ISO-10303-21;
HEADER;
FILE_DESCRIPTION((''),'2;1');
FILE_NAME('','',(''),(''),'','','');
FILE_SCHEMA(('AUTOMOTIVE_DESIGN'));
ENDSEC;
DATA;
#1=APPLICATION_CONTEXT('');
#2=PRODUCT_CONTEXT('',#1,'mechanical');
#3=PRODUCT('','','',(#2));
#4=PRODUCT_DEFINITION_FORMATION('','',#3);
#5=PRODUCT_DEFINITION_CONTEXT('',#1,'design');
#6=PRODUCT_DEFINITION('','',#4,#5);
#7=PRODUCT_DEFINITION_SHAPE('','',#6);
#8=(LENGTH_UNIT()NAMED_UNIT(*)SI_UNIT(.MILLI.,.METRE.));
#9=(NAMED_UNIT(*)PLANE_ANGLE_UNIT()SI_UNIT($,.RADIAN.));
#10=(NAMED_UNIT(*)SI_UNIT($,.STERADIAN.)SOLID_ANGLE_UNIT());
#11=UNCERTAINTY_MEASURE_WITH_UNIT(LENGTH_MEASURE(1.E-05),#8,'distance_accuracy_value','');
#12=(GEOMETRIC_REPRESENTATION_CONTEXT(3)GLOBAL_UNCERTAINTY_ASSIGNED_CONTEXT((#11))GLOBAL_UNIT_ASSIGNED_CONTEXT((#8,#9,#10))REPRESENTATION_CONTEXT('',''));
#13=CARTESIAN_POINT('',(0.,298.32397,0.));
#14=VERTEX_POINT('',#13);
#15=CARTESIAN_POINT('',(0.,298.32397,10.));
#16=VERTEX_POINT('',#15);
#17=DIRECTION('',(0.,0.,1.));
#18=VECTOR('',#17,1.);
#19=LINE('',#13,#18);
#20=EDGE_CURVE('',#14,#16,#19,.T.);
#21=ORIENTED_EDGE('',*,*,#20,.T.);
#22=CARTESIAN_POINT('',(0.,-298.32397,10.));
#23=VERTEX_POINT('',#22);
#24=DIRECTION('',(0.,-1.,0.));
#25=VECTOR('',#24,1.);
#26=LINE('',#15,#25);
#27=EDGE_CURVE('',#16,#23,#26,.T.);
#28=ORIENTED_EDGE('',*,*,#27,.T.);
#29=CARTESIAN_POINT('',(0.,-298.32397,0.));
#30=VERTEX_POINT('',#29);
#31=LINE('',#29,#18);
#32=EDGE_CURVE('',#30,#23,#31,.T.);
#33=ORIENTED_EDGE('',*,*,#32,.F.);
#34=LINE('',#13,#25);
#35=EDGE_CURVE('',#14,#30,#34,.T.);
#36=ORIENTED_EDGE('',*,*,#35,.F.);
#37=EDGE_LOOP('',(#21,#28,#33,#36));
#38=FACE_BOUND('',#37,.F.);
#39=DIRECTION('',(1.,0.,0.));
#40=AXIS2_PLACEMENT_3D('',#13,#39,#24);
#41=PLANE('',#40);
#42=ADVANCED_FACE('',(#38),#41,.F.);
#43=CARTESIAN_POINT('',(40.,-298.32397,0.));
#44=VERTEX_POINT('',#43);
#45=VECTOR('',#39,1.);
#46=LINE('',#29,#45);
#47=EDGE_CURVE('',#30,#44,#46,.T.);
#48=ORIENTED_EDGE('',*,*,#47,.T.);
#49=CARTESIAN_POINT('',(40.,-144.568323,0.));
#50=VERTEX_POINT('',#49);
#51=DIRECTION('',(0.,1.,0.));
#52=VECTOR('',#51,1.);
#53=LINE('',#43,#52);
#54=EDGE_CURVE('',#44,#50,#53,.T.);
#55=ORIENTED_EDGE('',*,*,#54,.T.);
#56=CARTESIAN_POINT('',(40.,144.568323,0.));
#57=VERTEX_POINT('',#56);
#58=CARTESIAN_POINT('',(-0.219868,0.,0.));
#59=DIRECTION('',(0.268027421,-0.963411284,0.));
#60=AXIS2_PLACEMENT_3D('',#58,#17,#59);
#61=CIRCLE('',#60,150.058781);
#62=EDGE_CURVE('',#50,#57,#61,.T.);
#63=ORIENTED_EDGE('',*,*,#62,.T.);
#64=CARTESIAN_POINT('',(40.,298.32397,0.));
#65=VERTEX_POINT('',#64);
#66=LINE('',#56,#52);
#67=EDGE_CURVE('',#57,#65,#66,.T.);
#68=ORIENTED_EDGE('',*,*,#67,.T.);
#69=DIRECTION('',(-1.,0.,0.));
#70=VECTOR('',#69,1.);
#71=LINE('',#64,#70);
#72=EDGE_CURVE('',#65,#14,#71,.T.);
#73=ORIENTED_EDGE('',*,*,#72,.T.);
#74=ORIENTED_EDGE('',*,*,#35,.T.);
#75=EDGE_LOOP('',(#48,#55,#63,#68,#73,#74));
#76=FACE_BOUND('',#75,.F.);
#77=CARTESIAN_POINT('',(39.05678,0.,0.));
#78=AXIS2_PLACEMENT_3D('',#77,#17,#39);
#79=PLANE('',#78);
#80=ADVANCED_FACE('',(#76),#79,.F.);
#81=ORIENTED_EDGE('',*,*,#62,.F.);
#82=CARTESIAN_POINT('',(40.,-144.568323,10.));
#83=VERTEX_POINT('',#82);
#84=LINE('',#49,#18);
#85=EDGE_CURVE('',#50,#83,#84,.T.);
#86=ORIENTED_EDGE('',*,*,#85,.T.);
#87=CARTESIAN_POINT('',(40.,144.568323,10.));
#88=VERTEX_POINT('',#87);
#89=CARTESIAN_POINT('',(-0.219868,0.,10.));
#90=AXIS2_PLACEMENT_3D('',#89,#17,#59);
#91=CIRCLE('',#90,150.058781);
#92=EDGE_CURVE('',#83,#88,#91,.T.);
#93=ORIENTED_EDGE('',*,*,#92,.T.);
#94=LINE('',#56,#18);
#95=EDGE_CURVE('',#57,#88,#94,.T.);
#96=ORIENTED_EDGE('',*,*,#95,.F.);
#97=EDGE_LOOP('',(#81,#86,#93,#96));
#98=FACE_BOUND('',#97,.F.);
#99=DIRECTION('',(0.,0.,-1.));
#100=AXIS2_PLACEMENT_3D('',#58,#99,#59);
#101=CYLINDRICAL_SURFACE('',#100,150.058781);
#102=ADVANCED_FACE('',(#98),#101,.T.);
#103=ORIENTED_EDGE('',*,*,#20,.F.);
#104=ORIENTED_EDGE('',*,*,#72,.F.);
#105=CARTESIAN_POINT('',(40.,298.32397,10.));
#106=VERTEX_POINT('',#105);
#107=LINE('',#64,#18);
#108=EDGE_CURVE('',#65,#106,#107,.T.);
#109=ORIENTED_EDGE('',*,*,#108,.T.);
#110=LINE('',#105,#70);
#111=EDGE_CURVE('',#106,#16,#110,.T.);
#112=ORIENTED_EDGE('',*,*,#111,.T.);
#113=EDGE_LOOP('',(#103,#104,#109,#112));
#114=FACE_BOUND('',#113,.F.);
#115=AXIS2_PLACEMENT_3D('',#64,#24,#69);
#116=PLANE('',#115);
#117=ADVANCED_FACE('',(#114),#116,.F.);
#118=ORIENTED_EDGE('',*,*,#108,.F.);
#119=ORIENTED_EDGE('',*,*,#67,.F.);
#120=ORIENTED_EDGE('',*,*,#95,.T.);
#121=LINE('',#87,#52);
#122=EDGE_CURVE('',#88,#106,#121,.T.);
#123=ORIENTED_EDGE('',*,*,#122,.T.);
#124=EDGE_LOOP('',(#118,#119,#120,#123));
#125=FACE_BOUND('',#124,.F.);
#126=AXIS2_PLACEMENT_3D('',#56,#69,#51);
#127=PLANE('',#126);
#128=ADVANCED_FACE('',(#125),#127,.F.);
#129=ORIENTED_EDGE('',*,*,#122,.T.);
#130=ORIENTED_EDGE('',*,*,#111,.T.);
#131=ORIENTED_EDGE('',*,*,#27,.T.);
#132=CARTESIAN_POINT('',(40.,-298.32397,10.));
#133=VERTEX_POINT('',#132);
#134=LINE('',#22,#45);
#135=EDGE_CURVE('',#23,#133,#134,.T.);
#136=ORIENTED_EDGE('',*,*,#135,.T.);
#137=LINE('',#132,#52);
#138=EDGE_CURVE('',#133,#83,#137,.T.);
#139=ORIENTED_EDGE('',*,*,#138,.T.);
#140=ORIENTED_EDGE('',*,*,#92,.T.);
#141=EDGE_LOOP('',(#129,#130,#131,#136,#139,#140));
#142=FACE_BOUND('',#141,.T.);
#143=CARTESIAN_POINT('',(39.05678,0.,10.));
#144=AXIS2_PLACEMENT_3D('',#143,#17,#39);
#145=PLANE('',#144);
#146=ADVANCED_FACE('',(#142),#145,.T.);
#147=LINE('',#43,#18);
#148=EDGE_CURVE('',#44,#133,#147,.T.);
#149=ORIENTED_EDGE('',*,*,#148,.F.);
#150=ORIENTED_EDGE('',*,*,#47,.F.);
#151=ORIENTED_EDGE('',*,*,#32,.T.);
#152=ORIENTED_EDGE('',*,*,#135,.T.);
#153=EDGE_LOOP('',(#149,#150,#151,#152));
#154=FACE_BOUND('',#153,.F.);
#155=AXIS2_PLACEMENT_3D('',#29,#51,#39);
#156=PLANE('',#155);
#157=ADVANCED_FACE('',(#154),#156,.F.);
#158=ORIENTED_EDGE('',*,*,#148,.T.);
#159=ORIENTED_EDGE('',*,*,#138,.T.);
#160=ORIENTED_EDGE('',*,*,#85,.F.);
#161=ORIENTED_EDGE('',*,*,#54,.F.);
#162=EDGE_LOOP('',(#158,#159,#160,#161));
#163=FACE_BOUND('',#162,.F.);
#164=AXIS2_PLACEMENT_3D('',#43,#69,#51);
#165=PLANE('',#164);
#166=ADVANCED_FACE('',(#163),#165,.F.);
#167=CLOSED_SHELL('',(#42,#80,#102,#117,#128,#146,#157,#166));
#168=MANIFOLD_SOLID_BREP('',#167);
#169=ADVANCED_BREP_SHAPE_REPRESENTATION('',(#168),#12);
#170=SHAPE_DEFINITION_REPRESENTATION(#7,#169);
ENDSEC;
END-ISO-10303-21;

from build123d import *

# Parameters (mm, degrees)
F1_DEPTH = 10


with BuildPart() as f1:
    # F0 (on Top) → F1 (new body)
    with BuildSketch(Plane.XY):
        with BuildLine():
            ThreePointArc((40, -144.568323), (149.838913, 0), (40, 144.568323))
            Line((40, 144.568323), (40, 298.32397))
            Line((40, 298.32397), (0, 298.32397))
            Line((0, 298.32397), (0, -298.32397))
            Line((0, -298.32397), (40, -298.32397))
            Line((40, -298.32397), (40, -148.320604))
            Line((40, -148.320604), (40, -144.568323))
        make_face()
    extrude(amount=F1_DEPTH)


solid = f1.part
